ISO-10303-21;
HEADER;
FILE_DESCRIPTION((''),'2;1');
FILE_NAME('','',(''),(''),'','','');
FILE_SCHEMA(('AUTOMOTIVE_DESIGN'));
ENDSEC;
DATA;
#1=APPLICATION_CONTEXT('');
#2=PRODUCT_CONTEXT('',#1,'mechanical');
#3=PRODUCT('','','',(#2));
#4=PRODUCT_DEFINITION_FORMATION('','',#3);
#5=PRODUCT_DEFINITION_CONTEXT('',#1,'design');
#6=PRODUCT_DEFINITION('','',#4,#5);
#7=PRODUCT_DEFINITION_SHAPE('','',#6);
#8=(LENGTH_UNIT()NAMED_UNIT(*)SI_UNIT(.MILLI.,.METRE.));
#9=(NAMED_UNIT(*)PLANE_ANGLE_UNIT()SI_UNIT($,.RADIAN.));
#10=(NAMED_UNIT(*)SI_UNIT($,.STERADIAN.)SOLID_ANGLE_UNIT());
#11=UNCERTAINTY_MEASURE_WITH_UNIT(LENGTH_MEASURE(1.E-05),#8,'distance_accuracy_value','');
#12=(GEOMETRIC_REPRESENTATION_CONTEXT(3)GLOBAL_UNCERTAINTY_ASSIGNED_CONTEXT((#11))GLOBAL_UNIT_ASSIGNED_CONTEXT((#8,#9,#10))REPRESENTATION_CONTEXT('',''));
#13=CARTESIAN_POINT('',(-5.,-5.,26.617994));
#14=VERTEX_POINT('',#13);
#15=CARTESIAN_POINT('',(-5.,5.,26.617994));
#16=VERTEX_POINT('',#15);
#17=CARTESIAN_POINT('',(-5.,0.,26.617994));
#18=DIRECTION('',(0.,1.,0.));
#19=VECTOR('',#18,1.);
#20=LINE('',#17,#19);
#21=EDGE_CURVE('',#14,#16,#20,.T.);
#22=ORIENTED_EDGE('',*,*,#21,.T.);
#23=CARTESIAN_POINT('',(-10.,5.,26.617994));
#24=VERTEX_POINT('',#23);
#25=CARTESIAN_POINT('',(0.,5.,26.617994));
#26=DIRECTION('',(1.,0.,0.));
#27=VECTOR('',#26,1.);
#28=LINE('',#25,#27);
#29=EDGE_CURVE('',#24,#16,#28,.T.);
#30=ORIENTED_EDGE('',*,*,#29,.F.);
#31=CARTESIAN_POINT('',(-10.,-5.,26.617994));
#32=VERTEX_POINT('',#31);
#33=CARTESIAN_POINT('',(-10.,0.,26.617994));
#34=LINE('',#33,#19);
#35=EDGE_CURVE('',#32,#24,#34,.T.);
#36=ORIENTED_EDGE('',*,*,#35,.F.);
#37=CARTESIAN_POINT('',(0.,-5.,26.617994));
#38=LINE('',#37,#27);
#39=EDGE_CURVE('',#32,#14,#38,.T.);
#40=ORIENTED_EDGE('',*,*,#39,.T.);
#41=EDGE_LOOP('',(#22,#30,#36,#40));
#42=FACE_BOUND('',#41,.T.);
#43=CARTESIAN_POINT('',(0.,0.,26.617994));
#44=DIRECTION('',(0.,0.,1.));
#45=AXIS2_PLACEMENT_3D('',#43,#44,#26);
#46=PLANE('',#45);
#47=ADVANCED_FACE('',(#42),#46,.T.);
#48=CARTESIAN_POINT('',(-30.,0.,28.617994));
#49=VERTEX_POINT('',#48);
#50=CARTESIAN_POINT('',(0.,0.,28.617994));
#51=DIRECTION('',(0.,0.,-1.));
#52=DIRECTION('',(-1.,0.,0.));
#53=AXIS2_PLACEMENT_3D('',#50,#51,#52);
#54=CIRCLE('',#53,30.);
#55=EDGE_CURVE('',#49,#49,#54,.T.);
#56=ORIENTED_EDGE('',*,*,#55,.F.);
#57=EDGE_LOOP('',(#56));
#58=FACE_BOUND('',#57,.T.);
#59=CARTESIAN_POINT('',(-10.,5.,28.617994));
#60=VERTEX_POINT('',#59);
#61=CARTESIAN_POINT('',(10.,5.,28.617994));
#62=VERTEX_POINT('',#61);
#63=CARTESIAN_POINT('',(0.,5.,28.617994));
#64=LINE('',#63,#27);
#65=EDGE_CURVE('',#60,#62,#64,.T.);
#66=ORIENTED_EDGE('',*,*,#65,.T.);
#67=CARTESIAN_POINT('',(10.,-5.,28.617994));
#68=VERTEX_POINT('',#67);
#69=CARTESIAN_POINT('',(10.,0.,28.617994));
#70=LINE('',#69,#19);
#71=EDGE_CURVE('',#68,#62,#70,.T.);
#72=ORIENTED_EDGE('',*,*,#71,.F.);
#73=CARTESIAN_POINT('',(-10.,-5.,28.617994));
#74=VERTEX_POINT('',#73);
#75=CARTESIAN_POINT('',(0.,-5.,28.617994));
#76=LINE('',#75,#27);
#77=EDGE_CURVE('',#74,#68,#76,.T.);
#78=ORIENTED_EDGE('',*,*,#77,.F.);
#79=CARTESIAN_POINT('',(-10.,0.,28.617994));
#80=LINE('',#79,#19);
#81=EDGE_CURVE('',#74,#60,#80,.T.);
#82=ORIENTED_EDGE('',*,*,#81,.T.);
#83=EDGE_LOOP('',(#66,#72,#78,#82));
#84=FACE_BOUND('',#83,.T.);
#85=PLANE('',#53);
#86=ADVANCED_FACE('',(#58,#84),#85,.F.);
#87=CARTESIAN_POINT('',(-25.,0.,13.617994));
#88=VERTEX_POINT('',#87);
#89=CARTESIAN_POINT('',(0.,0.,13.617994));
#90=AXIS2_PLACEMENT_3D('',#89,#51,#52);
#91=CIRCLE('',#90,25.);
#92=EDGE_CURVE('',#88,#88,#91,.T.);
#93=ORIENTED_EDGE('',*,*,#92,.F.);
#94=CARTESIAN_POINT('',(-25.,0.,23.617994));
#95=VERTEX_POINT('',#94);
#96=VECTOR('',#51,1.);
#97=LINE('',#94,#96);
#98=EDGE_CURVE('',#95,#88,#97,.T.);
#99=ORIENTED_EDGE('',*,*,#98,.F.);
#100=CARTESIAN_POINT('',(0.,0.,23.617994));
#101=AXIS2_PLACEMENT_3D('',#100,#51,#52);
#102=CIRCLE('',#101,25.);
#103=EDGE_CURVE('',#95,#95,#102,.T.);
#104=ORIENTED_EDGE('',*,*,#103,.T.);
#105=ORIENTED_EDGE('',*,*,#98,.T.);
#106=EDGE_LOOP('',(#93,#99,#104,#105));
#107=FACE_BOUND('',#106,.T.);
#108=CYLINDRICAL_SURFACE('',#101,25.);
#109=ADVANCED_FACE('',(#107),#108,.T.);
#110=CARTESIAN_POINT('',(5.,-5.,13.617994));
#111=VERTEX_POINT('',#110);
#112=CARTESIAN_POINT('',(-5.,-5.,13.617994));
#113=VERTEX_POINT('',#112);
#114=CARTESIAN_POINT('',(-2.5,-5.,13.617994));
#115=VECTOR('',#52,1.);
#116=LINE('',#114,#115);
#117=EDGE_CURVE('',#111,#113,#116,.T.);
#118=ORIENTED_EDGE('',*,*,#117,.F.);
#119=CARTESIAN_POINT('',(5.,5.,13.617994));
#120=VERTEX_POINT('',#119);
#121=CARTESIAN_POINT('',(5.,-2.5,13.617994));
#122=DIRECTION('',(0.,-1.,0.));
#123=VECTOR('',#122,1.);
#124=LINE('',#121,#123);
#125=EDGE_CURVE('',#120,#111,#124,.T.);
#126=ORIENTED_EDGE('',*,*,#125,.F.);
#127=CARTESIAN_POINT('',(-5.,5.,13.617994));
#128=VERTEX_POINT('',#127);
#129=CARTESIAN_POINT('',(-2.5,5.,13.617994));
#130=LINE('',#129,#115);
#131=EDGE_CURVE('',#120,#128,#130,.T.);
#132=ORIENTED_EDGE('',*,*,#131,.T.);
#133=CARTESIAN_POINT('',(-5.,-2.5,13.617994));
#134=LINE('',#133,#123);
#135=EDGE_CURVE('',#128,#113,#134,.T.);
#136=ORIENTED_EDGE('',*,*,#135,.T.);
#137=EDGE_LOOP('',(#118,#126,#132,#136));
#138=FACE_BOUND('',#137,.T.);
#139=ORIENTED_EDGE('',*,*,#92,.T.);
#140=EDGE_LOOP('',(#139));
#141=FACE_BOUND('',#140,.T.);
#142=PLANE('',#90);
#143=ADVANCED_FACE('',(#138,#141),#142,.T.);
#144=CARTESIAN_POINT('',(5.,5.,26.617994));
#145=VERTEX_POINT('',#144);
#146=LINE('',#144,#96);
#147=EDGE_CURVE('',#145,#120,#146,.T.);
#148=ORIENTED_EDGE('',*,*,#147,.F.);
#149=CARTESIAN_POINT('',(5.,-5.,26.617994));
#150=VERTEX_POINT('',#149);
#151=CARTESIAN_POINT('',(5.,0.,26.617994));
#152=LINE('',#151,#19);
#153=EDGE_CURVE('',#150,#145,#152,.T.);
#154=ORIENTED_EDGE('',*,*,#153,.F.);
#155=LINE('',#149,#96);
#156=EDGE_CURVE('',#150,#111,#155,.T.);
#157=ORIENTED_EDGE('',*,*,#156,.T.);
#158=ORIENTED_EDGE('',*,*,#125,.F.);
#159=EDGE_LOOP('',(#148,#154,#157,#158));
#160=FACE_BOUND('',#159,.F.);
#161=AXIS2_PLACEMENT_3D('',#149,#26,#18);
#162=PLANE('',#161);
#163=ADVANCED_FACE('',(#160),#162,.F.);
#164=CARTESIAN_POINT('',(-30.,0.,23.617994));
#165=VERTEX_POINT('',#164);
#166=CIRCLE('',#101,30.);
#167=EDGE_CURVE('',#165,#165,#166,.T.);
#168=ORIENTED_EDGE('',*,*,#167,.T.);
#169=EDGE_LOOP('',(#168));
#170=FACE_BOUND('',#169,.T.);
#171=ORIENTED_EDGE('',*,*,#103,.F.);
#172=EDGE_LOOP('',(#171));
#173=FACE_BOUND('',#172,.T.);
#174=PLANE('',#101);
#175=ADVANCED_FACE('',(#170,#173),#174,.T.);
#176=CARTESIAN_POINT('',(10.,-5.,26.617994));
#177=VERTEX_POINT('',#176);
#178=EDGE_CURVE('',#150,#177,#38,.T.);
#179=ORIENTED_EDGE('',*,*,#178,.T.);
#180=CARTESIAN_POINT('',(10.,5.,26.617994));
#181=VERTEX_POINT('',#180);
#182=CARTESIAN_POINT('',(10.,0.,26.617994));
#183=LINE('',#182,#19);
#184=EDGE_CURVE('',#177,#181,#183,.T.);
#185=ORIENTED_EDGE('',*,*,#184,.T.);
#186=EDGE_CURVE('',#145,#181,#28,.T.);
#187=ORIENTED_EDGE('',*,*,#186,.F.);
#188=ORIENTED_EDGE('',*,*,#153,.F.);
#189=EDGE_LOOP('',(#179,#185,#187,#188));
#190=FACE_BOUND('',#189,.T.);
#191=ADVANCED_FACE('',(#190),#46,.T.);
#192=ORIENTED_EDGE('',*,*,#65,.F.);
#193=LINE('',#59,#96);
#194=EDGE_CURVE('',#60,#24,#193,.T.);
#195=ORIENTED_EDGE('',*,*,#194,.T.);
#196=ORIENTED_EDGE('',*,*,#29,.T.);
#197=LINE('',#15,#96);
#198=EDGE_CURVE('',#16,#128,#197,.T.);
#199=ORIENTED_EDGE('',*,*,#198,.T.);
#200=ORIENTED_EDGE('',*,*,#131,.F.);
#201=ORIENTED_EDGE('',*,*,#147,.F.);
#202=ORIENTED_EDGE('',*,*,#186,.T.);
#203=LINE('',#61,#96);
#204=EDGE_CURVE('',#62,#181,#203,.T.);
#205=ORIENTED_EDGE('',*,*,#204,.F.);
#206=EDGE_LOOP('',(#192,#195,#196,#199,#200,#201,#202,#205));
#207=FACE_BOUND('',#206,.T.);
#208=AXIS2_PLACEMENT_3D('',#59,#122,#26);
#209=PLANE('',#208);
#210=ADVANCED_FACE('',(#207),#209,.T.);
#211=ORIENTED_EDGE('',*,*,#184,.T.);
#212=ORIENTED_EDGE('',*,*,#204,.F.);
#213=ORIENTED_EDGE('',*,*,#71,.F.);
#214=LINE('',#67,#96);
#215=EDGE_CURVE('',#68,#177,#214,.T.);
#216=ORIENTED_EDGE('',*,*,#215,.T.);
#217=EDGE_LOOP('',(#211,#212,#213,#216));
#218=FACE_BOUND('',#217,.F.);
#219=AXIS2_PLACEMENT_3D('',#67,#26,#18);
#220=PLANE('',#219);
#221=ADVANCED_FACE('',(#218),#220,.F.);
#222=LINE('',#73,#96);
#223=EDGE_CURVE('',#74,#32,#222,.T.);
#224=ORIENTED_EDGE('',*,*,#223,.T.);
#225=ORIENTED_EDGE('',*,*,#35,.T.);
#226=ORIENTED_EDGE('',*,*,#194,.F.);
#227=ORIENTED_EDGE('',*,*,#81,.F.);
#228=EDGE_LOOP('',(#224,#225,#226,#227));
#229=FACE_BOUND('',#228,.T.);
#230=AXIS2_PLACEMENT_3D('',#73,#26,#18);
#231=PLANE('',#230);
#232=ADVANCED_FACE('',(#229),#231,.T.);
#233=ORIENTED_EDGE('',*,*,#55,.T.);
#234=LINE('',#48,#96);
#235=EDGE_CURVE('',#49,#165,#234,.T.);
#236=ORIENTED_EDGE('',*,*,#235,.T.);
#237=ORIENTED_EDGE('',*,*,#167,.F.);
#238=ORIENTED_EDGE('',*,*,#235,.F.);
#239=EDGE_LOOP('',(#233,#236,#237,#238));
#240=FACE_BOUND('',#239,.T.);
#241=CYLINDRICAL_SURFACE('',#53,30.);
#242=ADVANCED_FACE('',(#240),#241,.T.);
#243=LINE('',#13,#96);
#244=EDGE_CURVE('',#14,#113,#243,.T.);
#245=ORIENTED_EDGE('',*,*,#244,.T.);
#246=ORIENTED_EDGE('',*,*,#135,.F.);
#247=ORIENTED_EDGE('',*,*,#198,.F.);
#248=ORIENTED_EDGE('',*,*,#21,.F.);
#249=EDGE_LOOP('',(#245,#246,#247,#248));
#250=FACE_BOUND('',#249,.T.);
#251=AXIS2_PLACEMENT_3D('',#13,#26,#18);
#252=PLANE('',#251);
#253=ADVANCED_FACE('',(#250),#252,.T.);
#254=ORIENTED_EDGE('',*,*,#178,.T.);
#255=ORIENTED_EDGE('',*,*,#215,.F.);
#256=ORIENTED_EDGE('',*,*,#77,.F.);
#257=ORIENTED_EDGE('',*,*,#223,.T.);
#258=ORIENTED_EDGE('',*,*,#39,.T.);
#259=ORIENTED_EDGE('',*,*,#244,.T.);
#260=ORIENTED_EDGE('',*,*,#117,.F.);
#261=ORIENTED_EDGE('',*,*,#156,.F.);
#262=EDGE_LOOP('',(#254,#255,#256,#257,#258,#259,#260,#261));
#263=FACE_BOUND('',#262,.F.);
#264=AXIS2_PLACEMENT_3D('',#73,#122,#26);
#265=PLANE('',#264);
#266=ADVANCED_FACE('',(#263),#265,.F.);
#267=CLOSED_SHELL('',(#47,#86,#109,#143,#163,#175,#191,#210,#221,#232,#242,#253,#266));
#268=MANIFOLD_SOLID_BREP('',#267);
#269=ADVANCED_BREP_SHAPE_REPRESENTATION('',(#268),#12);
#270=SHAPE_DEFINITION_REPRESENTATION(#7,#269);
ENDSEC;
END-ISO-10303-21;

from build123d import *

# Parameters (mm, degrees)
F2_W     = 20
F2_H     = 10
F3_DEPTH = 2
F4_W     = 10
F4_H     = 10
F5_DEPTH = 25


with BuildPart() as f1:
    # F0 (on Front) → F1 (revolve)
    with BuildSketch(Plane.XZ):
        Polygon((0, 13.617994), (0, 28.617994), (-30, 28.617994), (-30, 23.617994), (-25, 23.617994), (-25, 13.617994), align=None)
    revolve(axis=Axis((0, 0, -2.582015), (0, 0, -1)))

    # F2 (on face) → F3 (cut)
    with BuildSketch(Plane.XY.offset(28.617994)):
        Rectangle(F2_W, F2_H)
    extrude(amount=-F3_DEPTH, mode=Mode.SUBTRACT)

    # F4 (on face) → F5 (cut)
    with BuildSketch(Plane.XY.offset(26.617994)):
        Rectangle(F4_W, F4_H)
    extrude(amount=-F5_DEPTH, mode=Mode.SUBTRACT)


solid = f1.part
